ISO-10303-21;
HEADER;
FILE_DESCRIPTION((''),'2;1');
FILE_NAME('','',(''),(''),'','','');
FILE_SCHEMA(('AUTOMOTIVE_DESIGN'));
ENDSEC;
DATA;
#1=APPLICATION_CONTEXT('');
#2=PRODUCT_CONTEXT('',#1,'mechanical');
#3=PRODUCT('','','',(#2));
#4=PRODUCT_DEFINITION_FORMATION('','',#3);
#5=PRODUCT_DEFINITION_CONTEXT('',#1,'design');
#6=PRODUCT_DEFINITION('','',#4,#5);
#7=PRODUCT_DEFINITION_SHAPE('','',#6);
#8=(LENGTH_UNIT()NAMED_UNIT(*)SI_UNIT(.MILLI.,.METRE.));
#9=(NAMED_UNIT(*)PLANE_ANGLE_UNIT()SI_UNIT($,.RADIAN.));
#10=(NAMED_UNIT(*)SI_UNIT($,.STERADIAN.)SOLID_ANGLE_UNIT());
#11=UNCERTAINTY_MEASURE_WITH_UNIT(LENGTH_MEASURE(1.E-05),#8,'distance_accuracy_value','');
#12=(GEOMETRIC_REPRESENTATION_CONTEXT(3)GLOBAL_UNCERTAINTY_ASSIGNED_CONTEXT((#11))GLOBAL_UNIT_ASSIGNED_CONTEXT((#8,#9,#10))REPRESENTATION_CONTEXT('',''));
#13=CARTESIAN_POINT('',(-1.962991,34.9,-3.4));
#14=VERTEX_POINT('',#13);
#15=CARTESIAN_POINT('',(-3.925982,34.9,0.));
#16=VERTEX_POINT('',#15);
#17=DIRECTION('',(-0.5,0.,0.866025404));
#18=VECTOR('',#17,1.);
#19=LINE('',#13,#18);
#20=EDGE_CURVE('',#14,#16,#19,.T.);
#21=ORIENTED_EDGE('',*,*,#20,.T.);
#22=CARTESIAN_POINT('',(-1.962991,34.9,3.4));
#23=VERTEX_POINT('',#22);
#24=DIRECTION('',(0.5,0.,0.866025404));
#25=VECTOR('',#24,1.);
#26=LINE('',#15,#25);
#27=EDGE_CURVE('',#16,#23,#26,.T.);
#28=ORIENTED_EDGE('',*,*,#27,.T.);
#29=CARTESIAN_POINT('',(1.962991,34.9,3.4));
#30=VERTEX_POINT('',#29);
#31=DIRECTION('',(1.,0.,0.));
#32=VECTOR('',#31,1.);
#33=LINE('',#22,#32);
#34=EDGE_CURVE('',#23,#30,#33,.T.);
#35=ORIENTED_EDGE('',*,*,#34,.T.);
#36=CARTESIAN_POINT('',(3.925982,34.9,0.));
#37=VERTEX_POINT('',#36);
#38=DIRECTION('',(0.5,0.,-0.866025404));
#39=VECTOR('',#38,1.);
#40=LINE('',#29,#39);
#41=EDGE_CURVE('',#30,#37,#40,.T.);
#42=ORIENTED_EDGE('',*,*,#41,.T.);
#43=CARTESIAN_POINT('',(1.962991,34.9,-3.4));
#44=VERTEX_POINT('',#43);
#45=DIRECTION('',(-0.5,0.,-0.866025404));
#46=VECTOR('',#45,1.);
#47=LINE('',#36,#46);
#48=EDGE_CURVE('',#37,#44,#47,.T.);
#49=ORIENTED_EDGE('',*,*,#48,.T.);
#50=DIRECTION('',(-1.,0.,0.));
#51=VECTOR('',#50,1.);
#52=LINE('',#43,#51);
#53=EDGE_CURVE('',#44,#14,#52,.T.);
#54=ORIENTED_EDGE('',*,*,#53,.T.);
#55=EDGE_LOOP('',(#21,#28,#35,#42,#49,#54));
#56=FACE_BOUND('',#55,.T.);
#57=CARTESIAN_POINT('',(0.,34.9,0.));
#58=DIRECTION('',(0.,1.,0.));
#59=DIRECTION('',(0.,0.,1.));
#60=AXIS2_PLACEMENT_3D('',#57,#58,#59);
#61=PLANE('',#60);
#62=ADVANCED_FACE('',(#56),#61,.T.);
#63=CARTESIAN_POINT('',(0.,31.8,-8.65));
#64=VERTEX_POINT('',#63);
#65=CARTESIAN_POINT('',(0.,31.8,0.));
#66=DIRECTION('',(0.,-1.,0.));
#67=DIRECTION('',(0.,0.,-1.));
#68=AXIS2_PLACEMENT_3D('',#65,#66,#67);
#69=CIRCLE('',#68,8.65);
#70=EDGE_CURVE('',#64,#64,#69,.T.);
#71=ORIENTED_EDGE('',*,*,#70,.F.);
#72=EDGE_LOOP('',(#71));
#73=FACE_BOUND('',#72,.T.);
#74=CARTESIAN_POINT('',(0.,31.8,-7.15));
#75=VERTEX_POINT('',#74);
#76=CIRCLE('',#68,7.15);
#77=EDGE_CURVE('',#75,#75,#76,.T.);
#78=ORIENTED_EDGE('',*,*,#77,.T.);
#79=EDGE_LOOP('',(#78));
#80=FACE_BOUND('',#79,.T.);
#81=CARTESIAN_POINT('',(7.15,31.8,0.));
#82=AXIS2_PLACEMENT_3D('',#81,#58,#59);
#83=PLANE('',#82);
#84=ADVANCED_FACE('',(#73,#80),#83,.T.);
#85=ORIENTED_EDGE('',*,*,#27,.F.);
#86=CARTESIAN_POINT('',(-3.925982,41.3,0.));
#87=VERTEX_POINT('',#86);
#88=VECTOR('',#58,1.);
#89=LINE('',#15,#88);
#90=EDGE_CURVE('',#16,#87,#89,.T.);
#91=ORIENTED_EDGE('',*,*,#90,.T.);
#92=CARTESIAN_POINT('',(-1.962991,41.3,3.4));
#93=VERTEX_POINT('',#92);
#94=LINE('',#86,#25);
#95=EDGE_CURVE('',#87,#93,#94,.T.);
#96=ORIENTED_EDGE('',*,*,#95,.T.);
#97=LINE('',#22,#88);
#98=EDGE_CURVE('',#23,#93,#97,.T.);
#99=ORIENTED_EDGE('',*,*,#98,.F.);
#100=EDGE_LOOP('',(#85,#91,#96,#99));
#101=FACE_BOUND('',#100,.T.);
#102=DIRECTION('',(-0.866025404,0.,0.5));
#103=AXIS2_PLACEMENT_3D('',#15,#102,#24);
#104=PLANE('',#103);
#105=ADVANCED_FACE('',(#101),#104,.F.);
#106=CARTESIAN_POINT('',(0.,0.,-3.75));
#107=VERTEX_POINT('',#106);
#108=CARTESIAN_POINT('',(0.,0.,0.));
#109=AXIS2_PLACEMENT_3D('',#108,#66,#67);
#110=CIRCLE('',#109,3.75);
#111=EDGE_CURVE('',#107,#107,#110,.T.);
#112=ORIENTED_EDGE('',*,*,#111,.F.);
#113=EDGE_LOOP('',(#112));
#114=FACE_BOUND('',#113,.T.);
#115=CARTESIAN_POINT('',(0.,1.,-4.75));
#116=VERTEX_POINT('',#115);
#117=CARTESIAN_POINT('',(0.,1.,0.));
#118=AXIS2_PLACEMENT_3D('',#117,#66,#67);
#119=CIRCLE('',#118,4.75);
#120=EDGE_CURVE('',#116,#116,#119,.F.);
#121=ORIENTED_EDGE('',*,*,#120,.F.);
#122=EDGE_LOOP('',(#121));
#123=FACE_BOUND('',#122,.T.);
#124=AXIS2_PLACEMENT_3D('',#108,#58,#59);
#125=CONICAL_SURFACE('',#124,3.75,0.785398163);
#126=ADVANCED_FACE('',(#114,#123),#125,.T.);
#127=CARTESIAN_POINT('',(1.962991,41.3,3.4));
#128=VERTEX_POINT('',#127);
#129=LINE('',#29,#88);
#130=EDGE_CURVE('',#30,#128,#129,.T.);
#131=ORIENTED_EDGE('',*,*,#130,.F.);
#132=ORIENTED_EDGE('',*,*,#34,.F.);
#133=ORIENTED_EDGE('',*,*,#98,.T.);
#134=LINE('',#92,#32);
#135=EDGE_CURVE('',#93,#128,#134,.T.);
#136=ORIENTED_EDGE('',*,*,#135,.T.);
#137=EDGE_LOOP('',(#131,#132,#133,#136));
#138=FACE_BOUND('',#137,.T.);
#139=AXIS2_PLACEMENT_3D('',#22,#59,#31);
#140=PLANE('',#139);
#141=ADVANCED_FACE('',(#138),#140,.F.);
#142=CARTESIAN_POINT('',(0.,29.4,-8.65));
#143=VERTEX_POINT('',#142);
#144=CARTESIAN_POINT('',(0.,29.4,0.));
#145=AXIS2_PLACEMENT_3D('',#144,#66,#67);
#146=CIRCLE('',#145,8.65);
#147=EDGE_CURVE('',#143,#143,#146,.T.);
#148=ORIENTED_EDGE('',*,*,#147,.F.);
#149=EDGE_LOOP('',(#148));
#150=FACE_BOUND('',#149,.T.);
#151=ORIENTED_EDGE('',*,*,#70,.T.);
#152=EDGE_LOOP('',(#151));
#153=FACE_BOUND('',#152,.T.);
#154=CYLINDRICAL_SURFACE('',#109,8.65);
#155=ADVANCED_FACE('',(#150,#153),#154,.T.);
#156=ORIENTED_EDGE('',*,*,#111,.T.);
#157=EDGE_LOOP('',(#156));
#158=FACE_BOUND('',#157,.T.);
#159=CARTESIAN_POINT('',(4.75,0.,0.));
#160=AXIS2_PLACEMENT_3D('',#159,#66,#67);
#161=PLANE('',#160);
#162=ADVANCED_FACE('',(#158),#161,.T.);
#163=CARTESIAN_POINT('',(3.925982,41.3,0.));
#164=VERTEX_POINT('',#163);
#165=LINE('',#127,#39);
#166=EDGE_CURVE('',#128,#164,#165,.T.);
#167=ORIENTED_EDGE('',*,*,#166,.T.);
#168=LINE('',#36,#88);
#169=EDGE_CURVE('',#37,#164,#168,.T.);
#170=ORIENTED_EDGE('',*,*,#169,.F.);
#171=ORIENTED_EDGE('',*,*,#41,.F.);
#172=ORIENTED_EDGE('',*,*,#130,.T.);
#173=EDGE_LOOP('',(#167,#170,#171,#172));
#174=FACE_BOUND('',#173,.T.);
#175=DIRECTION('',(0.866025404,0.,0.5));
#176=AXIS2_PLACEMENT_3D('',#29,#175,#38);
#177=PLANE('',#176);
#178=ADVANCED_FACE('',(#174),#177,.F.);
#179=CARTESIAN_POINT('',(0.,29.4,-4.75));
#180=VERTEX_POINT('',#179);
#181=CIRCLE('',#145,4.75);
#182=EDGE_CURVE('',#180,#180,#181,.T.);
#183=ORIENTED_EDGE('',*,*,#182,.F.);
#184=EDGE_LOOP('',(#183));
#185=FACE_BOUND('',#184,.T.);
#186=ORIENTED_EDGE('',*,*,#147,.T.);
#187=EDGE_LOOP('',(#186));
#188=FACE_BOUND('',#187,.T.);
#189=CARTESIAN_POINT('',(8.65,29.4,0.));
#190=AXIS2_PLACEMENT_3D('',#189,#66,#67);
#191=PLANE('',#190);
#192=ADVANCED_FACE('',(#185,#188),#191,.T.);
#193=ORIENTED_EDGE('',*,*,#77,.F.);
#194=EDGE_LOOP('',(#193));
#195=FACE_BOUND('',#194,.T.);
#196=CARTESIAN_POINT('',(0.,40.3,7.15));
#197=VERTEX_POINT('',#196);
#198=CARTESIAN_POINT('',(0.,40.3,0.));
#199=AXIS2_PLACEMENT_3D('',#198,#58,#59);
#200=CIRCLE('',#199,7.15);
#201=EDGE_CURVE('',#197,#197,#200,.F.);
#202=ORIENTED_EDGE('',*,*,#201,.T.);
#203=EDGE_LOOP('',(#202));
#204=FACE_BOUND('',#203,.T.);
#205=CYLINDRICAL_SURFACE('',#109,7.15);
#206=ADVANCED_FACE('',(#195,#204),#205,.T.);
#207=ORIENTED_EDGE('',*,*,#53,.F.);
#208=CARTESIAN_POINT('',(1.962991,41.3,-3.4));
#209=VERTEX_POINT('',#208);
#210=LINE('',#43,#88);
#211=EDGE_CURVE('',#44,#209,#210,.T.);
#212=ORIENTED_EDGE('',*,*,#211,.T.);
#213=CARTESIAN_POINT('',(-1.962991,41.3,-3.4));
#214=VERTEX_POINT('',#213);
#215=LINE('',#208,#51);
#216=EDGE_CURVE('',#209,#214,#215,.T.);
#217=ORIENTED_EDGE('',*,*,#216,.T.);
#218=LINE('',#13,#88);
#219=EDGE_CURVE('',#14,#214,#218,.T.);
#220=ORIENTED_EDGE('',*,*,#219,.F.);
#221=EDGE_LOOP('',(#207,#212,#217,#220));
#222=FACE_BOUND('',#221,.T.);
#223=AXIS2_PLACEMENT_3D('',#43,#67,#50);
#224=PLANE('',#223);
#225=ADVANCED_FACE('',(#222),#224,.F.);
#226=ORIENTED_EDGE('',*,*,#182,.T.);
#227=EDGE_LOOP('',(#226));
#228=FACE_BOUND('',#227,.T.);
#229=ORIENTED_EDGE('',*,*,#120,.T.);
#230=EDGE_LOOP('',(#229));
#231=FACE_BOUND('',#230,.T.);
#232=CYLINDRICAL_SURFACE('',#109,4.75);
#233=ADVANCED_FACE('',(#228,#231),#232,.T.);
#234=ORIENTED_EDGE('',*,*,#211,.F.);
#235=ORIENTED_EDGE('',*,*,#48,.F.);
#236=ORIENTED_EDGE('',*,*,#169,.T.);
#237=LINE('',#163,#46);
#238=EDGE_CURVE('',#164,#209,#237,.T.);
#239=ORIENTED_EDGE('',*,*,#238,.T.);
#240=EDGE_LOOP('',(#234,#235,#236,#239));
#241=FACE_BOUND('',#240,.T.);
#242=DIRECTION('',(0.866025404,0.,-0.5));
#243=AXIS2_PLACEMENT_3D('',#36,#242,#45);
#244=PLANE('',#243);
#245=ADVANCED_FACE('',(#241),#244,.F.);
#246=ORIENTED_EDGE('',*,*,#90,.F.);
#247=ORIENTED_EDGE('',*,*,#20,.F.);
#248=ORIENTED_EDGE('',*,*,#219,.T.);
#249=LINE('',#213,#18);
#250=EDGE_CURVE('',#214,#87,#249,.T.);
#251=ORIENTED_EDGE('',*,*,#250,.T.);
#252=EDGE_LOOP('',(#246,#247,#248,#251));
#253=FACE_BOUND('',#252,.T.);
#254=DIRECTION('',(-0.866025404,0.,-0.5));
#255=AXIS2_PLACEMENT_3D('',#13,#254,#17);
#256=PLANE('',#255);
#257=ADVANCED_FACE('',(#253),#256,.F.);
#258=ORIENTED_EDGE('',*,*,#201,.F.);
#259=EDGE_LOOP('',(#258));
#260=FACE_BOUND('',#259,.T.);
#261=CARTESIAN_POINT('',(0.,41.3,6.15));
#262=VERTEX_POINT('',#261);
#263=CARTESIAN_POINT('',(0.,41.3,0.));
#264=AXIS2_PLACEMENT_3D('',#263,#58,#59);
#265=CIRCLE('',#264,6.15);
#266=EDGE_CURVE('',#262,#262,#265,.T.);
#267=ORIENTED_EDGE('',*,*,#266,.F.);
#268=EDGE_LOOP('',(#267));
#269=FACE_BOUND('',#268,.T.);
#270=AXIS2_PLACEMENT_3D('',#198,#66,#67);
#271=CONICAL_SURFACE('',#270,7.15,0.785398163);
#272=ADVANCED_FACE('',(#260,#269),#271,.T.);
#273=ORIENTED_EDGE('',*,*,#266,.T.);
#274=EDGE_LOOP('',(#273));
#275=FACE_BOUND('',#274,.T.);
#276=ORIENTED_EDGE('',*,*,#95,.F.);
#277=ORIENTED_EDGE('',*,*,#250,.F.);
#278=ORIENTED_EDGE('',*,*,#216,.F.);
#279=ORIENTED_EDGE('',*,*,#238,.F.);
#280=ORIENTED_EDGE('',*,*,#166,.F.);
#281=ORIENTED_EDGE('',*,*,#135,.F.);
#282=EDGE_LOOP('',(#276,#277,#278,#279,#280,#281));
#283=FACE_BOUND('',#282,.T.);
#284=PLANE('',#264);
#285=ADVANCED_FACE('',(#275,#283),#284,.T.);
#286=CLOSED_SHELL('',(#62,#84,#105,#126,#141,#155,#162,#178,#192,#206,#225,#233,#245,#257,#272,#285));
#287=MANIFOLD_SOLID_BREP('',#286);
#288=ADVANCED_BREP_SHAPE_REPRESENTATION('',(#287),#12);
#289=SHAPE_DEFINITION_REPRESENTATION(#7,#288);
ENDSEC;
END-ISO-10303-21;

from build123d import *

# Parameters (mm, degrees)
CUT_EXTRUDE1_DEPTH = 6.4
CHAMFER1_SIZE      = 1


with BuildPart() as part:
    # Sketch1 → Revolve1 (revolve)
    with BuildSketch(Plane.XY, mode=Mode.PRIVATE) as revolve1_sk:
        Polygon((0, 0), (0, 41.3), (7.15, 41.3), (7.15, 31.8), (8.65, 31.8), (8.65, 29.4), (4.75, 29.4), (4.75, 0), align=None)
    revolve(revolve1_sk.sketch.rotate(Axis((0, 0, 0), (0, 1, 0)), 90), axis=Axis((0, 0, 0), (0, 1, 0)))

    # Sketch2 → Cut-Extrude1 (cut)
    with BuildSketch(Plane(origin=(0, 41.3, 0), x_dir=(1, 0, 0), z_dir=(0, 1, 0))):
        Polygon((3.92598183, 0), (1.962990915, 3.4), (-1.962990915, 3.4), (-3.92598183, 0), (-1.962990915, -3.4), (1.962990915, -3.4), align=None)
    extrude(amount=-CUT_EXTRUDE1_DEPTH, mode=Mode.SUBTRACT)

    # Chamfer1
    chamfer1_edges = [part.edges().sort_by_distance(p)[0] for p in [
        (0, 0, 4.75),
        (0, 41.3, 7.15),
    ]]
    chamfer(chamfer1_edges, length=CHAMFER1_SIZE)


solid = part.part
